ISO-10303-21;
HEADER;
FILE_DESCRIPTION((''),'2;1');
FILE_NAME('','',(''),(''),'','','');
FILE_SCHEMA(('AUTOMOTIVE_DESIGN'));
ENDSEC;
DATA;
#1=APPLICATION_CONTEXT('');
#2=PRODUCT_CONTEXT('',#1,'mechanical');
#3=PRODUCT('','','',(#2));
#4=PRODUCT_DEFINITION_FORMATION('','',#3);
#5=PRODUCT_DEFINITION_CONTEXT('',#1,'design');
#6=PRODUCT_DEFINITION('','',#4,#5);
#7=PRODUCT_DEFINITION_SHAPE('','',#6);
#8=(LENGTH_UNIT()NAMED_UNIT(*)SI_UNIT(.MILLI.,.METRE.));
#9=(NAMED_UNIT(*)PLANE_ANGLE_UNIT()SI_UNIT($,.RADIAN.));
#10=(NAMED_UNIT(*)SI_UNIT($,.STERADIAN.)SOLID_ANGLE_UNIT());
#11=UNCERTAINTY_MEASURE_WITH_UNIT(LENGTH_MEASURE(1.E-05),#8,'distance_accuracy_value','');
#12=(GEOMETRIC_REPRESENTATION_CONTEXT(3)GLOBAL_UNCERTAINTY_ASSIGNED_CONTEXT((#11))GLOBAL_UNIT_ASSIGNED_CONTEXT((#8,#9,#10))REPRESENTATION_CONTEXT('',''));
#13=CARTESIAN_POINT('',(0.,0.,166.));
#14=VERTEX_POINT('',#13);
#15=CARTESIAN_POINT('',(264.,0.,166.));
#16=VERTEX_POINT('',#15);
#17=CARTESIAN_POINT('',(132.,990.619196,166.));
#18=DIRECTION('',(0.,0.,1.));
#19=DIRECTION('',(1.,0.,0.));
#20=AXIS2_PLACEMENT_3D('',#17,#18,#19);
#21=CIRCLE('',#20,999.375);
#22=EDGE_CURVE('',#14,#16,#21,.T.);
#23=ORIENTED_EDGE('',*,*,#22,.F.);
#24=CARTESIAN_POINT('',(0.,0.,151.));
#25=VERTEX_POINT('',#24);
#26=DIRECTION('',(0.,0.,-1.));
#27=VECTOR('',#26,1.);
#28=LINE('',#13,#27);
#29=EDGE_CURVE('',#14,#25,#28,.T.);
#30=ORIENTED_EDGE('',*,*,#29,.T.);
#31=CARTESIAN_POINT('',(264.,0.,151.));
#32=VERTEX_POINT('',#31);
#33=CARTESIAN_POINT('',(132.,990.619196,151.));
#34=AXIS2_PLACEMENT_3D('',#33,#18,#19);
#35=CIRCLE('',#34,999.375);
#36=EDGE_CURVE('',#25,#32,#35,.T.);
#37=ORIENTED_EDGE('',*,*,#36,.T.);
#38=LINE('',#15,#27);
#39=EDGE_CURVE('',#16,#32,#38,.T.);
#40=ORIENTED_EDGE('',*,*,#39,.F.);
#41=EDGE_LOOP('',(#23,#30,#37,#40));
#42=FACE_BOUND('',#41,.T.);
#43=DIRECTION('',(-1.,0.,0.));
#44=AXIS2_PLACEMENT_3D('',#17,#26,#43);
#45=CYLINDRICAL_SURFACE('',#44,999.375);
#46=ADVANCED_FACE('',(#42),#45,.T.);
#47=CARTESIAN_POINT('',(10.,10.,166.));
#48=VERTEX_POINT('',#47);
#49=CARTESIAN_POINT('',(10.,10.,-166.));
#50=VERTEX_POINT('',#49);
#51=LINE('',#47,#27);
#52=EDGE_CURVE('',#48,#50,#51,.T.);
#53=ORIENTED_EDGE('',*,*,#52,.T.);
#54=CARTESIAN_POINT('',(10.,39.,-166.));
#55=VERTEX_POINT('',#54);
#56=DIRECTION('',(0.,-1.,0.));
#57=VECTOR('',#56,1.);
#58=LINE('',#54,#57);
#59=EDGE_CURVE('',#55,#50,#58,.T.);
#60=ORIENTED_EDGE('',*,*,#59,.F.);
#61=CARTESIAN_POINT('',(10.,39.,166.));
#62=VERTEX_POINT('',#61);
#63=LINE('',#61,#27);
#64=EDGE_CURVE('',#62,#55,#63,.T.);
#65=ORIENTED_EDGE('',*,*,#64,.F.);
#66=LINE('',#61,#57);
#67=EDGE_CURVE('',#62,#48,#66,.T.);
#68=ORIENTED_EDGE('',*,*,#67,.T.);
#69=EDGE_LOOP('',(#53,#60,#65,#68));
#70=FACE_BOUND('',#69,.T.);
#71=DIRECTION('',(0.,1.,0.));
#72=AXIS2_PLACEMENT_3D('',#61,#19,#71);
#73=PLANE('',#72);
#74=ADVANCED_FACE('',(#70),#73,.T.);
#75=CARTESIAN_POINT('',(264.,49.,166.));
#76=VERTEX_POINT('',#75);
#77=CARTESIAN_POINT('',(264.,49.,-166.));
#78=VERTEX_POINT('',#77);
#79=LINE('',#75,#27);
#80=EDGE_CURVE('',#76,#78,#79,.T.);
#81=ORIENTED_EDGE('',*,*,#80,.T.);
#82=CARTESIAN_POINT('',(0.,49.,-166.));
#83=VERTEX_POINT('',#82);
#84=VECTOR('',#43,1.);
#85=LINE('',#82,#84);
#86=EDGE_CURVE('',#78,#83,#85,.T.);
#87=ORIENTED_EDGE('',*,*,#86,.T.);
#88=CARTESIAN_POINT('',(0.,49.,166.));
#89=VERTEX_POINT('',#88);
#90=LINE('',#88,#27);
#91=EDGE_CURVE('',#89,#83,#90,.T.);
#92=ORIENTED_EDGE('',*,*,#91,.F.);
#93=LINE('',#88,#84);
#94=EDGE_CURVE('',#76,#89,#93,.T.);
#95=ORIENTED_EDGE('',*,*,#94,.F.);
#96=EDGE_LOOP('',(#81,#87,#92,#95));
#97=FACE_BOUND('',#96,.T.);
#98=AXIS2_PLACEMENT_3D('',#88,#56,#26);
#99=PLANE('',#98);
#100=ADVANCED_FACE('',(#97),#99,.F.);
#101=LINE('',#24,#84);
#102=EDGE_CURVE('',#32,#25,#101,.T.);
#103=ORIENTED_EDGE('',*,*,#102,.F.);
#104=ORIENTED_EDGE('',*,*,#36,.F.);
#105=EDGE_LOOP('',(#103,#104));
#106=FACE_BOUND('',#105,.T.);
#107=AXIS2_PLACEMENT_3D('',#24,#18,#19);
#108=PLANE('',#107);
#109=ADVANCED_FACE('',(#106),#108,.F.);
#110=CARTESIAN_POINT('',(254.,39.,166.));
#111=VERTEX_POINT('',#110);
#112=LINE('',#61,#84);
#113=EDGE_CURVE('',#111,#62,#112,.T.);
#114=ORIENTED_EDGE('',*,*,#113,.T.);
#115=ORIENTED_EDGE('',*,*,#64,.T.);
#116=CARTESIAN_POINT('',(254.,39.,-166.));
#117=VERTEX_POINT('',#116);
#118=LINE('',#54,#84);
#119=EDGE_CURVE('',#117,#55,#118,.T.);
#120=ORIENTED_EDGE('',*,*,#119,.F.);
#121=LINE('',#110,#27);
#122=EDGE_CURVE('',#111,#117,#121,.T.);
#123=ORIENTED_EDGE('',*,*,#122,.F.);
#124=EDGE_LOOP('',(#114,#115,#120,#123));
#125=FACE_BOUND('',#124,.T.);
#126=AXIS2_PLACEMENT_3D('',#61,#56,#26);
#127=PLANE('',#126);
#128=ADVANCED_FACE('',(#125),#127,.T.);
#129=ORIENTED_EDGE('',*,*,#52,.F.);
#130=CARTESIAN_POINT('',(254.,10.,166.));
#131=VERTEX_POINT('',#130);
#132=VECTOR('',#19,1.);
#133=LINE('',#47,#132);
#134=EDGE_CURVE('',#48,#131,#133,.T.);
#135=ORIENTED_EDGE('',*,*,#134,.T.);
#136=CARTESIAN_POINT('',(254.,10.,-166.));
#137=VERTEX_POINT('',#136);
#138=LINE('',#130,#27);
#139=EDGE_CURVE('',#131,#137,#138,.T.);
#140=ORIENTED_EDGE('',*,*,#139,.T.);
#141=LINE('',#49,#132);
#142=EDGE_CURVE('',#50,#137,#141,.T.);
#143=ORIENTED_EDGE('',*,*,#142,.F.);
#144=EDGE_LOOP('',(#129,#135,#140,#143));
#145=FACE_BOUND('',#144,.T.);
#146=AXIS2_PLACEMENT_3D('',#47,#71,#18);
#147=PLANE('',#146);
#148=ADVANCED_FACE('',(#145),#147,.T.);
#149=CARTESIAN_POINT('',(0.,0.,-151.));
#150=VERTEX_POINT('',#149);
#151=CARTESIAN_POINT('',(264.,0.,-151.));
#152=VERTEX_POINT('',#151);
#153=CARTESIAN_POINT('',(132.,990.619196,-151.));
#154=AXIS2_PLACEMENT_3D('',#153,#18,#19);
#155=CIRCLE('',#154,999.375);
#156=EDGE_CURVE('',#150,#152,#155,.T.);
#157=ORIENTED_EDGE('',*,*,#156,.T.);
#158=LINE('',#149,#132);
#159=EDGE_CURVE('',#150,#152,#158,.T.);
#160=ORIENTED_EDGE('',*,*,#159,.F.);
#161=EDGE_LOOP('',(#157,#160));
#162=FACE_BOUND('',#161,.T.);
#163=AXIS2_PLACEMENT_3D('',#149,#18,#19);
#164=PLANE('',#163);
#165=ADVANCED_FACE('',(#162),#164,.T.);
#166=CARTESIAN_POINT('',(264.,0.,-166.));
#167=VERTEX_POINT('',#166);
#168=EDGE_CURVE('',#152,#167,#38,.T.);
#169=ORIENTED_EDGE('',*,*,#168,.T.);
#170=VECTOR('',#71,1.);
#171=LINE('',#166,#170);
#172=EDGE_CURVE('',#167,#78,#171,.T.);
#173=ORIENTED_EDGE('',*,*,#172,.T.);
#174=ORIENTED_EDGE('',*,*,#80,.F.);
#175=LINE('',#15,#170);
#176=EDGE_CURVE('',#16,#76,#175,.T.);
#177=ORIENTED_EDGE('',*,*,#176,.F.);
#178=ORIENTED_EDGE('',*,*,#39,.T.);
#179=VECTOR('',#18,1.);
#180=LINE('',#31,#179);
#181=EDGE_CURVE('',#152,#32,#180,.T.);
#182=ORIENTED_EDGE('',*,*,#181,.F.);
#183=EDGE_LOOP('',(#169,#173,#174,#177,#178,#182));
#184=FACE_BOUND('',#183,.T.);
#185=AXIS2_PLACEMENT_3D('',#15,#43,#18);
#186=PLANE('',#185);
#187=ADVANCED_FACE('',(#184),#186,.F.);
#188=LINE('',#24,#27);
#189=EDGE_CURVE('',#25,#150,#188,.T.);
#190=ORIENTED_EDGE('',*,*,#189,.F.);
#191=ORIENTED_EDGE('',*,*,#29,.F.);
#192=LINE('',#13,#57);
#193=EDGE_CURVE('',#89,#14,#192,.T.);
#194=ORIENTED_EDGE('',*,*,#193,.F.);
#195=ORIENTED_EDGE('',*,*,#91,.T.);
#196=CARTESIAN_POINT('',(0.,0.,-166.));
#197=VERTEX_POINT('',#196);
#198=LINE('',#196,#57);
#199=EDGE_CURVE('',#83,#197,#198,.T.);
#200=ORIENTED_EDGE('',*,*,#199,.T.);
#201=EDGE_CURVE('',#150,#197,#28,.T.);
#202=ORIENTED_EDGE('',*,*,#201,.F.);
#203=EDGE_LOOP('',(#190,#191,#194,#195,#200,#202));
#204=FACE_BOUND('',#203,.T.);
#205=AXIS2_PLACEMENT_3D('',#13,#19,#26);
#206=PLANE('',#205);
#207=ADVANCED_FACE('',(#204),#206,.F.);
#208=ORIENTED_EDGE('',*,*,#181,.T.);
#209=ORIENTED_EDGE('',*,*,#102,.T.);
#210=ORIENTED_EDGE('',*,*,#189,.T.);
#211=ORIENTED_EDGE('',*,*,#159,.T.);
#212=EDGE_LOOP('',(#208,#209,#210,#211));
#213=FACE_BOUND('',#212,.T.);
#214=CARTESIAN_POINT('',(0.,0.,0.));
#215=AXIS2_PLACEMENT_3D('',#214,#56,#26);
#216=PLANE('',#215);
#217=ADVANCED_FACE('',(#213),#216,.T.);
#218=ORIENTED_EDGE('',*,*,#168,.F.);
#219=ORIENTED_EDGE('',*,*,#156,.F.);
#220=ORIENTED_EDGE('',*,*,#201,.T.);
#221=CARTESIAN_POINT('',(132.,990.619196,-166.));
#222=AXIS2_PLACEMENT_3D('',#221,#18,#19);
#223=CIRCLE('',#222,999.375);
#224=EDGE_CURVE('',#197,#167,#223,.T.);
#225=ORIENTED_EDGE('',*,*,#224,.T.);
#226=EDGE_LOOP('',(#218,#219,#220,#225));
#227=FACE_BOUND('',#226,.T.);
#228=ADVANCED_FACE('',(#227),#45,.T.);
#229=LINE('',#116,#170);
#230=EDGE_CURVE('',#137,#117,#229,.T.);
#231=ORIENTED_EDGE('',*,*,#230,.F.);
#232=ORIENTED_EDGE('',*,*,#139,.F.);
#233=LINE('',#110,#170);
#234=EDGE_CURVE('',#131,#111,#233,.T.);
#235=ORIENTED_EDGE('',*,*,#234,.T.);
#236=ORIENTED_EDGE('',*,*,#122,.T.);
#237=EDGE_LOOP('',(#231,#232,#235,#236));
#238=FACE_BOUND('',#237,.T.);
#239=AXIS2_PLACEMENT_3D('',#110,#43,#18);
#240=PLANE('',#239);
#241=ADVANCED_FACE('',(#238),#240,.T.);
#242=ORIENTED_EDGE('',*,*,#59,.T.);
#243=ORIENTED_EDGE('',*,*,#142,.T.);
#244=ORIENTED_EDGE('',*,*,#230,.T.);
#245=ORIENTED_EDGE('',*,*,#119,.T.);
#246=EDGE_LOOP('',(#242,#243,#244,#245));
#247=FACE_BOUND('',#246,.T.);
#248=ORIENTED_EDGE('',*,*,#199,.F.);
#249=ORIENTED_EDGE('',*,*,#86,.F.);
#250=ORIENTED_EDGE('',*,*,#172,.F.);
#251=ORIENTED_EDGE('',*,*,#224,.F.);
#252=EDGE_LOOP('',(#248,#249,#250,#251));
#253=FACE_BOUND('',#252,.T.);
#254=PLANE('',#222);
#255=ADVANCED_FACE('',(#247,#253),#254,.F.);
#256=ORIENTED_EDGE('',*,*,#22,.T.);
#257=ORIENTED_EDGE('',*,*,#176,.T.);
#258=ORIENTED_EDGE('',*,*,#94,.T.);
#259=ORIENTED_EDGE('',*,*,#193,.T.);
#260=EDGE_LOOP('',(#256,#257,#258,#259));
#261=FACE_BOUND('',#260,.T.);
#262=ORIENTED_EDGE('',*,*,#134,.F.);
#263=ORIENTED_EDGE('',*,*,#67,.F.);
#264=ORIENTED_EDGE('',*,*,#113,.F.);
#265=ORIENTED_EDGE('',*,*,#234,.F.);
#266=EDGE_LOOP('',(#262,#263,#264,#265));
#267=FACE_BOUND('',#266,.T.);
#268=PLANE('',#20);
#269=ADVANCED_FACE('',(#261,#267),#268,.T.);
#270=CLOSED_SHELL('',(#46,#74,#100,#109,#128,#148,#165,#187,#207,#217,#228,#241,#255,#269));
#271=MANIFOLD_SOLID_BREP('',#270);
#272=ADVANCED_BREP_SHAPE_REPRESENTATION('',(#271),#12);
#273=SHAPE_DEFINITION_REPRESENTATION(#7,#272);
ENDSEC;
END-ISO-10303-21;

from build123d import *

# Parameters (mm, degrees)
SKETCH1_W           = 244
SKETCH1_H           = 29
BOSS_EXTRUDE1_DEPTH = 166
SKETCH3_W           = 264
SKETCH3_H           = 30.556086773
CUT_EXTRUDE2_DEPTH  = 151
SKETCH4_W           = 264
SKETCH4_H           = 302
BOSS_EXTRUDE2_DEPTH = 10


with BuildPart() as part:
    # Sketch1 → Boss-Extrude1 (new, symmetric)
    with BuildSketch(Plane.XY):
        with BuildLine():
            Line((0, 0), (0, 49))
            Line((0, 49), (264, 49))
            Line((264, 49), (264, 0))
            ThreePointArc((264, 0), (132, -8.755804433), (0, 0))
        make_face()
        with Locations((132, 24.5)):
            Rectangle(SKETCH1_W, SKETCH1_H, mode=Mode.SUBTRACT)
    extrude(amount=BOSS_EXTRUDE1_DEPTH, both=True)

    # Sketch3 → Cut-Extrude2 (cut, symmetric)
    with BuildSketch(Plane.XY):
        with Locations((132, -5.278043387)):
            Rectangle(SKETCH3_W, SKETCH3_H)
    extrude(amount=CUT_EXTRUDE2_DEPTH, both=True, mode=Mode.SUBTRACT)

    # Sketch4 → Boss-Extrude2 (add)
    with BuildSketch(Plane(origin=(0, 10, 0), x_dir=(-1, 0, 0), z_dir=(0, -1, 0))):
        with Locations((-132, 0)):
            Rectangle(SKETCH4_W, SKETCH4_H)
    extrude(amount=BOSS_EXTRUDE2_DEPTH)


solid = part.part
